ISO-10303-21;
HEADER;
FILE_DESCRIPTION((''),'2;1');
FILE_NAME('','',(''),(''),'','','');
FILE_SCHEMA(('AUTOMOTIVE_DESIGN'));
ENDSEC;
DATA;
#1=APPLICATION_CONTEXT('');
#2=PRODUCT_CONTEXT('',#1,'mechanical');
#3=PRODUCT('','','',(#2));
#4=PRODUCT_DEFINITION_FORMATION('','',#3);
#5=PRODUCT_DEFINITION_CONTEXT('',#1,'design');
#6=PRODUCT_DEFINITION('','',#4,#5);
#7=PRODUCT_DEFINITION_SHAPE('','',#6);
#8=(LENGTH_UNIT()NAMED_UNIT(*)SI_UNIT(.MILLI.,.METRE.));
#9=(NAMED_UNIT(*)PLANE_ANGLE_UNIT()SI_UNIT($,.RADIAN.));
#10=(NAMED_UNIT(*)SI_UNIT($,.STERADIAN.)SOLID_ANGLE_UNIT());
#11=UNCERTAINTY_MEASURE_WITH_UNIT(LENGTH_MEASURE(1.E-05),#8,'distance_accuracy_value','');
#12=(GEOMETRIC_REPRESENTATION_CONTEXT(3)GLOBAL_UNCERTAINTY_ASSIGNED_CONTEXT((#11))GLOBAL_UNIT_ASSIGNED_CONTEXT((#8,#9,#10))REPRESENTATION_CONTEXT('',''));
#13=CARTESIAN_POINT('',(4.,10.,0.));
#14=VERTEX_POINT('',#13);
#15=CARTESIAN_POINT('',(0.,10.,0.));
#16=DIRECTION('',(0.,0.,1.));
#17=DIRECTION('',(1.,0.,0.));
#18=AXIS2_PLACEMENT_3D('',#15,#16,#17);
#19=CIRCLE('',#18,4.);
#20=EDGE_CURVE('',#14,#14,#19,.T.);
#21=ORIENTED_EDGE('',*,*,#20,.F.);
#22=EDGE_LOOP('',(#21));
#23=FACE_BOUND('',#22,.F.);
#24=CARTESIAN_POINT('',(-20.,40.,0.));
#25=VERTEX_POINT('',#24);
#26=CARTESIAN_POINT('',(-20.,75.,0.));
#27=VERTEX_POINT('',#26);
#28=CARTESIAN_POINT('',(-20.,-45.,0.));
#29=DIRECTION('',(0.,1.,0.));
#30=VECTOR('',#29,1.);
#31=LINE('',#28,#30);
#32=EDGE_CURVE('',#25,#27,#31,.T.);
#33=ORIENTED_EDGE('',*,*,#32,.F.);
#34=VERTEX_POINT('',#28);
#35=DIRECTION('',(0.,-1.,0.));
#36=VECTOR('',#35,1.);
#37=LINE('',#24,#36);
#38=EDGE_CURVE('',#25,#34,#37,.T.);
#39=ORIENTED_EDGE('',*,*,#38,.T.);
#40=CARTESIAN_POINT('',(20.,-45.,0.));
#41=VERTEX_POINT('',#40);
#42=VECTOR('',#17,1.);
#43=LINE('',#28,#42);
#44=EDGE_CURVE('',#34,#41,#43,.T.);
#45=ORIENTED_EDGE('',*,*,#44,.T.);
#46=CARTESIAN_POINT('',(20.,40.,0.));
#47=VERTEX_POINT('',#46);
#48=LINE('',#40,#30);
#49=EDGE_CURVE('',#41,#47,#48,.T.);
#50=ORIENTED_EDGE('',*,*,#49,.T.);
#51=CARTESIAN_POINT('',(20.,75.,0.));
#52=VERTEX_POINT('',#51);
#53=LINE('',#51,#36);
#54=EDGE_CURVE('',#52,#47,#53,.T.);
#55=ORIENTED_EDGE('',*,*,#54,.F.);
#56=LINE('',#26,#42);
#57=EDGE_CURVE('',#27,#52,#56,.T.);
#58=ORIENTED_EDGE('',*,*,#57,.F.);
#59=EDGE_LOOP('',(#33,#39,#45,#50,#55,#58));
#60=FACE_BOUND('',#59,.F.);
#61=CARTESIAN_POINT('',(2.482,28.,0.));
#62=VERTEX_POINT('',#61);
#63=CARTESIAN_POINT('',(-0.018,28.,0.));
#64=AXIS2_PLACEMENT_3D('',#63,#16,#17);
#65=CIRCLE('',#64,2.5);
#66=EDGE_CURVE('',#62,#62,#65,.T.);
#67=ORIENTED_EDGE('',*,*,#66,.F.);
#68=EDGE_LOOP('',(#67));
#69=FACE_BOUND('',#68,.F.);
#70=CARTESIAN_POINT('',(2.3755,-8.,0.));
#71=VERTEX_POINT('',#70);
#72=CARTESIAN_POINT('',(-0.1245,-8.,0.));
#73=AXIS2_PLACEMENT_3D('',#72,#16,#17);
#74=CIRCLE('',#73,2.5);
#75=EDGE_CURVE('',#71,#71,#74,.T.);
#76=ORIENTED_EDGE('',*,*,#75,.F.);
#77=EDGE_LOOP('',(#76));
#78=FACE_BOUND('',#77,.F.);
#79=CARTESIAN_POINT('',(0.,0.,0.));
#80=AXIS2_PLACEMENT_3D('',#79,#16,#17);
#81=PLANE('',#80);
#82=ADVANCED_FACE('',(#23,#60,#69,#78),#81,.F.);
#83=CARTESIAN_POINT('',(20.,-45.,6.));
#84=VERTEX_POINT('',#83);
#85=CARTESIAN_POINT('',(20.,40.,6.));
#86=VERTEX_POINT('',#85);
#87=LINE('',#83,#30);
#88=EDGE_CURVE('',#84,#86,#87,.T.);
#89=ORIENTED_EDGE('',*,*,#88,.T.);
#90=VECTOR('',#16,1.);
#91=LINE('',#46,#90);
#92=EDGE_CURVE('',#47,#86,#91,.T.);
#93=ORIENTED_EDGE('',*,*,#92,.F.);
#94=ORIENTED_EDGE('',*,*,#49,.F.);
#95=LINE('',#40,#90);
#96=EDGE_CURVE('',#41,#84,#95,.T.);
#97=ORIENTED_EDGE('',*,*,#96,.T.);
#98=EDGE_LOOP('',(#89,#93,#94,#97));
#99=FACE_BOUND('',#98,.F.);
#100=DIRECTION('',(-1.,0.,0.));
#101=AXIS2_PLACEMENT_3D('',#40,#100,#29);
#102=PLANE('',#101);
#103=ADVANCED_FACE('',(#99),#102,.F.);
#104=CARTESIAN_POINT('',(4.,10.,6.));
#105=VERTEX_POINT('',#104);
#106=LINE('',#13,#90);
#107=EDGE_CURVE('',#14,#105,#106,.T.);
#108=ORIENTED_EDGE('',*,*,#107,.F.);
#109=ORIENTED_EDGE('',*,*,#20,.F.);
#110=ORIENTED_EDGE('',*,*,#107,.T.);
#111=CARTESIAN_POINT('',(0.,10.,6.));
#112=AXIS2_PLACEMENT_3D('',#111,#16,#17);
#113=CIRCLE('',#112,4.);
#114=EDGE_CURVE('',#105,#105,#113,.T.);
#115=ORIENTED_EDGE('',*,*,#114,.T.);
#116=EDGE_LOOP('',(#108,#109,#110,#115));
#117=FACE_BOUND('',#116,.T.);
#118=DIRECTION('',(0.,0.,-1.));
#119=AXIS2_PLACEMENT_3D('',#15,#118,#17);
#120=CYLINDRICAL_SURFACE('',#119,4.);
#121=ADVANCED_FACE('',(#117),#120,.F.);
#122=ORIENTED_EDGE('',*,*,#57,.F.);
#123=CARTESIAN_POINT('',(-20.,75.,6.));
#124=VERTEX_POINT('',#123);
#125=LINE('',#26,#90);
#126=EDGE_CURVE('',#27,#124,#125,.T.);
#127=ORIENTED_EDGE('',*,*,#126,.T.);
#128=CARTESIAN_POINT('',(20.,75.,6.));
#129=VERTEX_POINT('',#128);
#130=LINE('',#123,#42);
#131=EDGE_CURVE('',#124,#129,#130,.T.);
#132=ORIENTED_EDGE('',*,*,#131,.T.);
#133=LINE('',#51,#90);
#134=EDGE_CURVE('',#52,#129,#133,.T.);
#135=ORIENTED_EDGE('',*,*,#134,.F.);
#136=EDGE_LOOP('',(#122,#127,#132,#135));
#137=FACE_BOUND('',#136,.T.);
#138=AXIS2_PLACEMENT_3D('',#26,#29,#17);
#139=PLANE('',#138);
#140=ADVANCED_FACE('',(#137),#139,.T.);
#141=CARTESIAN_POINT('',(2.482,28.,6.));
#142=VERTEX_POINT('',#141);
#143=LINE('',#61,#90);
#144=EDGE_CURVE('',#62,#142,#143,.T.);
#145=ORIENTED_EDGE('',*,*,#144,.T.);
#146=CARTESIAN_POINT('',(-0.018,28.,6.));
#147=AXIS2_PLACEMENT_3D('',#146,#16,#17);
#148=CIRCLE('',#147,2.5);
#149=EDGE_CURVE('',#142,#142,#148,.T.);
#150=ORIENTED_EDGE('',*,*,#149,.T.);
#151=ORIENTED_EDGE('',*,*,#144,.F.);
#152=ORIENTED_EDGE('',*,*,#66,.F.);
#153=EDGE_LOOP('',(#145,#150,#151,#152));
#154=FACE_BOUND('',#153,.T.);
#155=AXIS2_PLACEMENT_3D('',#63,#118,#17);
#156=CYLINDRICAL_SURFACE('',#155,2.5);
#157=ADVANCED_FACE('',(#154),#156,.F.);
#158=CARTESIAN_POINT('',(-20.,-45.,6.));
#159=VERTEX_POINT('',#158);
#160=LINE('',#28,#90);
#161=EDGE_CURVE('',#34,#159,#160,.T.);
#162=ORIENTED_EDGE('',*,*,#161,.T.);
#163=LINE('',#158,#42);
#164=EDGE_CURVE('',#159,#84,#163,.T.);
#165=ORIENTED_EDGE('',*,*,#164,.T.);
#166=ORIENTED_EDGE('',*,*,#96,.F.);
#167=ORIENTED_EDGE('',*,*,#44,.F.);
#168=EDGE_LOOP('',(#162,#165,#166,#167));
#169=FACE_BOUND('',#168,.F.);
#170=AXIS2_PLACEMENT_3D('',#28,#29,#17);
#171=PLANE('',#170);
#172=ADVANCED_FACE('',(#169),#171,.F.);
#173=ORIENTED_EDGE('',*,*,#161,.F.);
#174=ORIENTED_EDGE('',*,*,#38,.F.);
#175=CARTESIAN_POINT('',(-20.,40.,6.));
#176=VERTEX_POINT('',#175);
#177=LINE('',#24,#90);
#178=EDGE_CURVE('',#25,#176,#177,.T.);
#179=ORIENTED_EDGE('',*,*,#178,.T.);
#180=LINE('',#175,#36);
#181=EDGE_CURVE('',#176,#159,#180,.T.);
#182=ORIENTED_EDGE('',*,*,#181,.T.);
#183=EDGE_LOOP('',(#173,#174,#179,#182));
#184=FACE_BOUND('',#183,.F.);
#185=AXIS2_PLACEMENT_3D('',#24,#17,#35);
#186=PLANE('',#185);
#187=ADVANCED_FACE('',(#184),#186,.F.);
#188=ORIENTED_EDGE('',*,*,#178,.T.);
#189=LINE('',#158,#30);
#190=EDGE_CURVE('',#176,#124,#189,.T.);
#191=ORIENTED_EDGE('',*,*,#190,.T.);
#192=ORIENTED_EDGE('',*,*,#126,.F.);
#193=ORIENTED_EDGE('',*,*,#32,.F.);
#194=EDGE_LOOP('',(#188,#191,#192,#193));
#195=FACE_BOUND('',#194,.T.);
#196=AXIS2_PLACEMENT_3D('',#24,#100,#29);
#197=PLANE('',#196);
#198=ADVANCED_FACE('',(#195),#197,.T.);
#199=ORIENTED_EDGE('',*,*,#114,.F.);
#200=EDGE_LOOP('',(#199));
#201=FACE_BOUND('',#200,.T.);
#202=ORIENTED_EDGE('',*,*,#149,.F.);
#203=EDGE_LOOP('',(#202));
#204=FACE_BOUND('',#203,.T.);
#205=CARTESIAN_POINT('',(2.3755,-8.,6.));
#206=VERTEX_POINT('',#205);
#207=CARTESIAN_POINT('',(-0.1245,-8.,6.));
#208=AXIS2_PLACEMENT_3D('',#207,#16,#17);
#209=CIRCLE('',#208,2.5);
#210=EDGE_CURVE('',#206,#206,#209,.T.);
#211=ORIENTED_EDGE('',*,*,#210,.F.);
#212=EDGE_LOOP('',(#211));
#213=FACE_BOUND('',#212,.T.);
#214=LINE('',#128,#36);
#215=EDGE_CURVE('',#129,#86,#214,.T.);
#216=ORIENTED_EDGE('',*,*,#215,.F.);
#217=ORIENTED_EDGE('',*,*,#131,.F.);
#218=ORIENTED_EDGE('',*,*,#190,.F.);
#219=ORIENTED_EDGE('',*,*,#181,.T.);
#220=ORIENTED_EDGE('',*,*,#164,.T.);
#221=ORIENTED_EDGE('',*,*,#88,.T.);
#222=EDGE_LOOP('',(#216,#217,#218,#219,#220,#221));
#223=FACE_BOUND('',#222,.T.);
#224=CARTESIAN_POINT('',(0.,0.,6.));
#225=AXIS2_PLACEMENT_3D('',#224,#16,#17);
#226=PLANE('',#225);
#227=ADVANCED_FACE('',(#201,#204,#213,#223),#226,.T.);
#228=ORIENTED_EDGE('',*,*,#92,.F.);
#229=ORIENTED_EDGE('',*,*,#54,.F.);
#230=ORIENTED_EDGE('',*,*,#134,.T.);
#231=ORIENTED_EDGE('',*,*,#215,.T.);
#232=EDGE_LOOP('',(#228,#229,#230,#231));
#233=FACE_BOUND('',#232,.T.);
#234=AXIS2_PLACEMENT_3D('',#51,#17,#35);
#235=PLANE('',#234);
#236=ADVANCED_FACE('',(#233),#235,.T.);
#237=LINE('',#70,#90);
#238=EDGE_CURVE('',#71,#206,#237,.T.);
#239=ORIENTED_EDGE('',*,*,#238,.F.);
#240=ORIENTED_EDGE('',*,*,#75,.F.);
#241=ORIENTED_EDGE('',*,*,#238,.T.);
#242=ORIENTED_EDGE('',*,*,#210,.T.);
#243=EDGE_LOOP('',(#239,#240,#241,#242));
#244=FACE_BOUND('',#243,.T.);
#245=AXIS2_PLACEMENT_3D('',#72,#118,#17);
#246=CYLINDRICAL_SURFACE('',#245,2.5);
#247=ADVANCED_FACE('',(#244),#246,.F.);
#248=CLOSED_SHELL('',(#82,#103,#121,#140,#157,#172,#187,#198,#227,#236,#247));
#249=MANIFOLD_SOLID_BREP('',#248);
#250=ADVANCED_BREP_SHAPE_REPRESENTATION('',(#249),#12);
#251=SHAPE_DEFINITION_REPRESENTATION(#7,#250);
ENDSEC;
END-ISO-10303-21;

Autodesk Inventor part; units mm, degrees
ref_plane "YZ Plane" through (0, 0, 0) normal (1, 0, 0) x (0, 1, 0)
ref_plane "XZ Plane" through (0, 0, 0) normal (0, 1, 0) x (-1, 0, 0)
ref_plane "XY Plane" through (0, 0, 0) normal (0, 0, 1) x (1, 0, 0)
sketch "Sketch1" plane through (0, 0, 0) normal (0, 0, 1) x (1, 0, 0)
  circle A0 centre (-0.1245, -8) radius 2.5
  circle A1 centre (-0.018, 28) radius 2.5
  line L0 (-20, 40) -> (-20, -45) projected
  line L1 (-20, -45) -> (20, -45) projected
  line L2 (20, -45) -> (20, 40) projected
  circle A2 centre (-0.1245, -8) radius 2.5 projected
  circle A3 centre (-0.018, 28) radius 2.5 projected
  line L3 (20, -45) -> (-20, -45)
  line L4 (-20, -45) -> (-20, 75)
  line L5 (-20, 75) -> (20, 75)
  line L6 (20, 75) -> (20, -45)
  circle A4 centre (0, 10) radius 4
  point P0 (0, 0)
  point P1 (20, 40)
  dimension "d0" = 120
  dimension "d1" = 8
extrude "Extrusion1" add sketch "Sketch1" along normal blind 6
properties part number "gard1" material "PMMA Plastic"
